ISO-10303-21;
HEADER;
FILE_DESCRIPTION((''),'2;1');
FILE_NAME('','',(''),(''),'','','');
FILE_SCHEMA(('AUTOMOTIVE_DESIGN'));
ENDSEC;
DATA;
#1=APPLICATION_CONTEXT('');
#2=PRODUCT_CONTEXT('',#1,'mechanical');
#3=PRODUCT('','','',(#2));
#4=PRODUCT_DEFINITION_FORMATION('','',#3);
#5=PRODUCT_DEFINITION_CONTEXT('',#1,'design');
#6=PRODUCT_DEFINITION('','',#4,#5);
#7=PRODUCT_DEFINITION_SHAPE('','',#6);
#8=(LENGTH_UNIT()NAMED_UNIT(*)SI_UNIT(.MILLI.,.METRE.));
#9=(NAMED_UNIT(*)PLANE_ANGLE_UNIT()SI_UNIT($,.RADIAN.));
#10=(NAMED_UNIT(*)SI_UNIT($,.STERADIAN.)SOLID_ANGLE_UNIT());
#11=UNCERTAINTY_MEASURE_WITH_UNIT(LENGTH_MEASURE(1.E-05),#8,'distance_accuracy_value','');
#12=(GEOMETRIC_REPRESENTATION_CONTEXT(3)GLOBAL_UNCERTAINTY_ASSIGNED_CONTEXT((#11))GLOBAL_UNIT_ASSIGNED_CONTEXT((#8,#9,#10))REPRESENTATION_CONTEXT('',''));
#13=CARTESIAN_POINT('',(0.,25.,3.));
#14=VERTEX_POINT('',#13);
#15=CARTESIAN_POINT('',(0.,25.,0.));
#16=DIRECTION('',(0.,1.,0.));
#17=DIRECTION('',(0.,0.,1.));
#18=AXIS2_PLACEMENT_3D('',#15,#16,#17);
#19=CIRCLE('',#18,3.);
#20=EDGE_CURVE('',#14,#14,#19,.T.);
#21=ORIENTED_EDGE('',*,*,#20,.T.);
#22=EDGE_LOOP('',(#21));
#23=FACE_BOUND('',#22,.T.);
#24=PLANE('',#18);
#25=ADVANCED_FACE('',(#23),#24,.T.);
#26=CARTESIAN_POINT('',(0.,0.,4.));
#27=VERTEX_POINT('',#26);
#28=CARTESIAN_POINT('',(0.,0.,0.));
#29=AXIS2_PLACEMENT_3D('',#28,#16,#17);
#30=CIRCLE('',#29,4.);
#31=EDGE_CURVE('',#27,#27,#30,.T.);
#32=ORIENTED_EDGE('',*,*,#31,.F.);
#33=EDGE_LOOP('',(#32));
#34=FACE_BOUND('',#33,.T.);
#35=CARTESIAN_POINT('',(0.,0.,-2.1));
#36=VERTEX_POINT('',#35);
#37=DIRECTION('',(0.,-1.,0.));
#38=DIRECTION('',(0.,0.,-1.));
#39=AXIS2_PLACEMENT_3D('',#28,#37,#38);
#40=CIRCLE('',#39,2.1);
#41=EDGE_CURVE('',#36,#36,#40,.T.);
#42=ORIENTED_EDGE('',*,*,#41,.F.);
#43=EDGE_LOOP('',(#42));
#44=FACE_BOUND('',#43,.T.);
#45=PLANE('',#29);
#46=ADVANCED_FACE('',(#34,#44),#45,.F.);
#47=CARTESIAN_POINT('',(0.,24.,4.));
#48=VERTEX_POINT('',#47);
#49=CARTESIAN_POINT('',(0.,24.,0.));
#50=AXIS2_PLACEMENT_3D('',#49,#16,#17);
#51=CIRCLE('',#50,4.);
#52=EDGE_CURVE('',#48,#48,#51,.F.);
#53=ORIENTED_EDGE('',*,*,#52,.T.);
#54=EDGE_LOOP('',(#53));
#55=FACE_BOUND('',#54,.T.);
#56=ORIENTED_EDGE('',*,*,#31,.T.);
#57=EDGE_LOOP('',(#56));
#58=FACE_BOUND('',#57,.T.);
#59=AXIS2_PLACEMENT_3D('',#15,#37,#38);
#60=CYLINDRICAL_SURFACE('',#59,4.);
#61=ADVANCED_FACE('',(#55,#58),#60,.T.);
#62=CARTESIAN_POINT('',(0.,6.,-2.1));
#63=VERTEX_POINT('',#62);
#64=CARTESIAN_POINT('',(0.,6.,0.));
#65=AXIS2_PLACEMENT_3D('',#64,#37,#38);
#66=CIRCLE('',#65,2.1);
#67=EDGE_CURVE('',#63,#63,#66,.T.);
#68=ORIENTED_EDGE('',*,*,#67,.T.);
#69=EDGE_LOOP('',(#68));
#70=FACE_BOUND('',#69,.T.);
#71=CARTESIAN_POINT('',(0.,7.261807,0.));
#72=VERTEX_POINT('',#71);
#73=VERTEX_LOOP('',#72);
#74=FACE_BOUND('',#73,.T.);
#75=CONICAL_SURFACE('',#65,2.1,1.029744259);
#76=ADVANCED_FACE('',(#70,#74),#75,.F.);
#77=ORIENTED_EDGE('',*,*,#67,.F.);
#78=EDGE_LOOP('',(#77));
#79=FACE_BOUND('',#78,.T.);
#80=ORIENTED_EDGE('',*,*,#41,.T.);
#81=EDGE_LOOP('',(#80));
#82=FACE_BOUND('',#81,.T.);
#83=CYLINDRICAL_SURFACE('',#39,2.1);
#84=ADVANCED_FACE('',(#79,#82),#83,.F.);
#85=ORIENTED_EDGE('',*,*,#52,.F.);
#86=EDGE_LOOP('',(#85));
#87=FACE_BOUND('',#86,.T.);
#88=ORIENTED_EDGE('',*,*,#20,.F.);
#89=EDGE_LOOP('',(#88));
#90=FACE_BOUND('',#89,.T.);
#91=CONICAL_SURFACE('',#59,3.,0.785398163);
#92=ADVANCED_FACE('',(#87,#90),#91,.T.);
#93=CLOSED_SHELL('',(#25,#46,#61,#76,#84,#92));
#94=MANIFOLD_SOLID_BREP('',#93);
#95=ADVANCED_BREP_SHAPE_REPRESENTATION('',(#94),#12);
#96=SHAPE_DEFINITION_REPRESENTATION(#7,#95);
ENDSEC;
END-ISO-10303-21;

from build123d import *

# Parameters (mm, degrees)
SKETCH1_R             = 4
BOSS_EXTRUDE1_DEPTH   = 25
CHAMFER1_SIZE         = 1
M5_TAPPED_HOLE1_D     = 4.2
M5_TAPPED_HOLE1_DEPTH = 6
M5_TAPPED_HOLE1_TIP   = 1.2618073


with BuildPart() as part:
    # Sketch1 → Boss-Extrude1 (new body)
    with BuildSketch(Plane(origin=(0, 0, 0), x_dir=(1, 0, 0), z_dir=(0, 1, 0))):
        Circle(SKETCH1_R)
    extrude(amount=BOSS_EXTRUDE1_DEPTH)

    # Chamfer1
    chamfer1_edges = [part.edges().sort_by_distance(p)[0] for p in [
        (-4, 25, 0),
    ]]
    chamfer(chamfer1_edges, length=CHAMFER1_SIZE)

    # M5 Tapped Hole1
    with Locations(Plane.XZ):
        with Locations((0, 0)):
            Hole(M5_TAPPED_HOLE1_D / 2, depth=M5_TAPPED_HOLE1_DEPTH)
            with Locations((0, 0, -(M5_TAPPED_HOLE1_DEPTH + M5_TAPPED_HOLE1_TIP / 2))):  # 118° drill point
                Cone(0, M5_TAPPED_HOLE1_D / 2, M5_TAPPED_HOLE1_TIP, mode=Mode.SUBTRACT)


solid = part.part
